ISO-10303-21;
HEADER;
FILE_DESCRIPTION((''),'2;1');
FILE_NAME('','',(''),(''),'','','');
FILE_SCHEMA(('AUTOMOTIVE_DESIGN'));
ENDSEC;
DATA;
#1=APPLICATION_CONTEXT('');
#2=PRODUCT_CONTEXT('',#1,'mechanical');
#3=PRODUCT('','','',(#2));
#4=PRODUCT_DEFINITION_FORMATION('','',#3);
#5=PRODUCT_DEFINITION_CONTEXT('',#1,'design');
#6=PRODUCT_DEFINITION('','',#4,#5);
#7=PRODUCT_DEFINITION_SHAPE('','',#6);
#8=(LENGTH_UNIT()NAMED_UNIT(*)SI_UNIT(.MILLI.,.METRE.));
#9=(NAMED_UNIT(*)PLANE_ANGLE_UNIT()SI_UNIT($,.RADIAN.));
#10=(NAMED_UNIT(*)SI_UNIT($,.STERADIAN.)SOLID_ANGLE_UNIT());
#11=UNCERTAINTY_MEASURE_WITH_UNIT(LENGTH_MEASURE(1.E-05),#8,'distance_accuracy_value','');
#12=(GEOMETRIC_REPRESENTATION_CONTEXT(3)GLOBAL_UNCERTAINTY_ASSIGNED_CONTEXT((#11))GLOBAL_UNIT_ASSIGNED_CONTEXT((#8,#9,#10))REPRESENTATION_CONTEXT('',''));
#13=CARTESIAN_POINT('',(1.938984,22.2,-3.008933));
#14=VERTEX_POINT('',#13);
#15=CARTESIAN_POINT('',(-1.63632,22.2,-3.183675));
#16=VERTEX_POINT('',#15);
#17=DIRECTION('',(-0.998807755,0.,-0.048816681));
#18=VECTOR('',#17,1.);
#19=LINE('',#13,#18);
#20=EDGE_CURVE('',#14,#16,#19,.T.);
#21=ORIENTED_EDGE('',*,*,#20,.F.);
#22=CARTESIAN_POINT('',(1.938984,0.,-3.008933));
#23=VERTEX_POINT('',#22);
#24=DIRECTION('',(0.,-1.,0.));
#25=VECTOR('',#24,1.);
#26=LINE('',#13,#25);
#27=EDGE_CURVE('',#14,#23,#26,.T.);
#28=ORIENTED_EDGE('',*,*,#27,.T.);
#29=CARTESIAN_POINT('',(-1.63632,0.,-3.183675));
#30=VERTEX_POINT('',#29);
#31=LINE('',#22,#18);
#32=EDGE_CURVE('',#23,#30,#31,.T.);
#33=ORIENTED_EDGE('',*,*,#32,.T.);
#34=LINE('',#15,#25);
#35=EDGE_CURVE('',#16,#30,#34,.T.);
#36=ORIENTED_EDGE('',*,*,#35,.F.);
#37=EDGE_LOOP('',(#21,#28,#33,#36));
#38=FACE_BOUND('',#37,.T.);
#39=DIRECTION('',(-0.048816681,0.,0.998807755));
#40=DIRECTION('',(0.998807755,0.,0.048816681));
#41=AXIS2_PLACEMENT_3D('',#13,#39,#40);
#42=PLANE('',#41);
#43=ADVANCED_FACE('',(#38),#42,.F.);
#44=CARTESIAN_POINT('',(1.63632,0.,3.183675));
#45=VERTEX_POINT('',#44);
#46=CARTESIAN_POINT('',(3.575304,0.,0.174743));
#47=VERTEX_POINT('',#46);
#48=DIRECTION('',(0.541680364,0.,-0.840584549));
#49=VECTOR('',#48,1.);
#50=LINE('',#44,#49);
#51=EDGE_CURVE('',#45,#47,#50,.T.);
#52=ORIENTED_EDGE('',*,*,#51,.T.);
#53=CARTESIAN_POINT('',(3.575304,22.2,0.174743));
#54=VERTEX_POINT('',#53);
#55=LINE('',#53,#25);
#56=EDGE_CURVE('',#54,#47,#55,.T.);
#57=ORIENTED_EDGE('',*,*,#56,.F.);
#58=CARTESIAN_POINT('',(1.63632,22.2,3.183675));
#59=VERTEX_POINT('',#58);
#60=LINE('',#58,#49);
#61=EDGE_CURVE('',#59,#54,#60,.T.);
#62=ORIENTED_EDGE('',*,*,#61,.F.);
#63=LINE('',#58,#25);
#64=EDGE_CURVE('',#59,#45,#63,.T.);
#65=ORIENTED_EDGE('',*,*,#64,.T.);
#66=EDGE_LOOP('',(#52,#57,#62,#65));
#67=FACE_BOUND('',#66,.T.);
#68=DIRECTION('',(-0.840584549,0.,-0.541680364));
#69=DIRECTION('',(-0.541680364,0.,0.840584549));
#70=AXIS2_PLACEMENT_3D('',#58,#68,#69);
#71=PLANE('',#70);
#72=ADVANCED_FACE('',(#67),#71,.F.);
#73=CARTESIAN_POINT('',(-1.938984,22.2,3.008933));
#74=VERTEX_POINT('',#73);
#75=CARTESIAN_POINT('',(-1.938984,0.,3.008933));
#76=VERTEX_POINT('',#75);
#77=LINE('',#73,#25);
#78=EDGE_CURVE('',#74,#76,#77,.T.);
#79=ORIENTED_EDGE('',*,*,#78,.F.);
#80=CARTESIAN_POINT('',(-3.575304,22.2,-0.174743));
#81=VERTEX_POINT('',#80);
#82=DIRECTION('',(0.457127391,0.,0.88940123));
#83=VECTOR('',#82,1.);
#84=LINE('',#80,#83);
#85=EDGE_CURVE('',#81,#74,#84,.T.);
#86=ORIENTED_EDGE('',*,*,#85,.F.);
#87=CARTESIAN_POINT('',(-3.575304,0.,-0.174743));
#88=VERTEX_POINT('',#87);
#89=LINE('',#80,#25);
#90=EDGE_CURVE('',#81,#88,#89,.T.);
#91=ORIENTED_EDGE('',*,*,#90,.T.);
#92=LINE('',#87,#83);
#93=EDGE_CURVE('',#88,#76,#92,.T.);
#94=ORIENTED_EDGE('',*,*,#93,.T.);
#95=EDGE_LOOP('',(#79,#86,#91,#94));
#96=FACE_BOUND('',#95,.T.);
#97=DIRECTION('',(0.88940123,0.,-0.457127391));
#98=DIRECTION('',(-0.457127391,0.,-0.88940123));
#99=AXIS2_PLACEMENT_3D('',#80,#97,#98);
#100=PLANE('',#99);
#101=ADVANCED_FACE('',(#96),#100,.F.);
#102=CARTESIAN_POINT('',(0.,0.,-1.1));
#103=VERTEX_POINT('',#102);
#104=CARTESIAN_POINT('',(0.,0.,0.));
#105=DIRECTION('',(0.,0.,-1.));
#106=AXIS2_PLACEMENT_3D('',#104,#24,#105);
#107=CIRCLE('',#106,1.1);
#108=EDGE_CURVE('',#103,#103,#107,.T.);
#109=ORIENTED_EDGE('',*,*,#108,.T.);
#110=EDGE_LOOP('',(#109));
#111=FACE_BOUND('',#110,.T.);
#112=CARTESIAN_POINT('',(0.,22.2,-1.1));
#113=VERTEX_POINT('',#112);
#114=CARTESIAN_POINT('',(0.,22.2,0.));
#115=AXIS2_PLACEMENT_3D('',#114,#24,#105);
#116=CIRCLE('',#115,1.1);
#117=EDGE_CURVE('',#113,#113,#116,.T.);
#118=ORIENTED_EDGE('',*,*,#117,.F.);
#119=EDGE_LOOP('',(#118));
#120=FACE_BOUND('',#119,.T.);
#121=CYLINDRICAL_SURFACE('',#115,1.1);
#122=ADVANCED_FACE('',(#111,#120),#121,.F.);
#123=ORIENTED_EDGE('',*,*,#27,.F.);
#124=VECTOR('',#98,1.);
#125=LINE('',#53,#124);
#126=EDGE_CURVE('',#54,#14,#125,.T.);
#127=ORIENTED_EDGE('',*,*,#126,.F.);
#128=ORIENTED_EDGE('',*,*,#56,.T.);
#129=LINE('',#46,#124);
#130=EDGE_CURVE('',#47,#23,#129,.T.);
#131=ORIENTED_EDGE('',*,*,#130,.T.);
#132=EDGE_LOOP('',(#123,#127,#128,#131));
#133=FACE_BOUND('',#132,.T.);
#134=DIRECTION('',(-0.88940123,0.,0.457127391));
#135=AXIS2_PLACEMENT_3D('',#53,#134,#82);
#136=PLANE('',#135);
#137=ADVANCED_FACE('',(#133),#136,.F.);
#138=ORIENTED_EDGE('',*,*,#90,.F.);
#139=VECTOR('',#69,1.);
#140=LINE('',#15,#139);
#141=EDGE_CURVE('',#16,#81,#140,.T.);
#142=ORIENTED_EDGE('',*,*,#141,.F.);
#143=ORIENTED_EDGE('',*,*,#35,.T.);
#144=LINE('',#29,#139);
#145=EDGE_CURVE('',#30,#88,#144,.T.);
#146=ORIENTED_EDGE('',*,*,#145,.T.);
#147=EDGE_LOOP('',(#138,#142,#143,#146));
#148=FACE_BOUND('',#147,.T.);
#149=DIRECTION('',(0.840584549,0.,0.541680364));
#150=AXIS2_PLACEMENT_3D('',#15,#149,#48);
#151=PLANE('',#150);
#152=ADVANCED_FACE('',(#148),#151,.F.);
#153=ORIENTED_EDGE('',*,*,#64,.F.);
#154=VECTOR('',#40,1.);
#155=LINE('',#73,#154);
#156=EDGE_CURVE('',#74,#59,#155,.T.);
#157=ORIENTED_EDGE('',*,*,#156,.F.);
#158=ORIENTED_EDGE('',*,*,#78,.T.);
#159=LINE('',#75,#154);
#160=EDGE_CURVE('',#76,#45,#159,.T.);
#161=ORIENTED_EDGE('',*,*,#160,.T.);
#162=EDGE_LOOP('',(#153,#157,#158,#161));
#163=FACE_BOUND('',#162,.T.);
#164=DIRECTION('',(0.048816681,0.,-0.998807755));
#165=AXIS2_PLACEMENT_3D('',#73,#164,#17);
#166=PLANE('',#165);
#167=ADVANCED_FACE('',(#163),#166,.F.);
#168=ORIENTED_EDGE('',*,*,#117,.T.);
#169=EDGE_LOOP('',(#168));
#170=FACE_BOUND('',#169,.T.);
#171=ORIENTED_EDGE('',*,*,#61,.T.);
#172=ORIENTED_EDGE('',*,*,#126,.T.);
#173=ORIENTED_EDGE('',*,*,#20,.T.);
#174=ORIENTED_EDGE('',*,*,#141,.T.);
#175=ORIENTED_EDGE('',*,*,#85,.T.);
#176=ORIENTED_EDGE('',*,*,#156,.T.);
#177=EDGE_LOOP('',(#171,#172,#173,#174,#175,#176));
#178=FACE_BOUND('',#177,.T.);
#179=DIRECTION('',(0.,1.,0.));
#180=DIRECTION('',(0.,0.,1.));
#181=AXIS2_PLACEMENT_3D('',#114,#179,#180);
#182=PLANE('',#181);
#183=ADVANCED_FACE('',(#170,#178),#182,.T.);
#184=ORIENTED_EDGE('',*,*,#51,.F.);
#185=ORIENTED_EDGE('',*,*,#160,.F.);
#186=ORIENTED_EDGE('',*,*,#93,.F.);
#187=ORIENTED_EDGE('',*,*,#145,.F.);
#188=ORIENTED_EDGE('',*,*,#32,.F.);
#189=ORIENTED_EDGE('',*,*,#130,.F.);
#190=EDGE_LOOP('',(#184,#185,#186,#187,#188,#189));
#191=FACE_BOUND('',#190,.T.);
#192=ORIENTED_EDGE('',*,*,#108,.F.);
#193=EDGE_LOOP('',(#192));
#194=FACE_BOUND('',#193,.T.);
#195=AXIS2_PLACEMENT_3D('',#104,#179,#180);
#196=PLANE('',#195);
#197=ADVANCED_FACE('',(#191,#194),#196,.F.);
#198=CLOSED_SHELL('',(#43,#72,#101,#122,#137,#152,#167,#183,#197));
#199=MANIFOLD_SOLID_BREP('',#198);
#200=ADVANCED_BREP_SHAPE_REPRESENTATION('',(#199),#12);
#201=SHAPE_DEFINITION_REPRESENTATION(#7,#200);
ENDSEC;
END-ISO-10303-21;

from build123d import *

# Parameters (mm, degrees)
BOSS_EXTRUDE1_DEPTH = 22.20000005
SKETCH2_R           = 1.1
CUT_EXTRUDE1_DEPTH  = 23.710319017


with BuildPart() as part:
    # Sketch1 → Boss-Extrude1 (new body)
    with BuildSketch(Plane(origin=(0, 0, 0), x_dir=(1, 0, 0), z_dir=(0, 1, 0))):
        Polygon((-1.636320259, 3.183675446), (-3.575303943, 0.17474281), (-1.938983684, -3.008932636), (1.636320259, -3.183675446), (3.575303943, -0.17474281), (1.938983684, 3.008932636), align=None)
    extrude(amount=BOSS_EXTRUDE1_DEPTH)

    # Sketch2 → Cut-Extrude1 (cut, through all)
    with BuildSketch(Plane.XZ):
        with Locations(Location((0, 0, 0), (0, 0, 270))):
            Circle(SKETCH2_R)
    extrude(amount=-CUT_EXTRUDE1_DEPTH, mode=Mode.SUBTRACT)


solid = part.part
